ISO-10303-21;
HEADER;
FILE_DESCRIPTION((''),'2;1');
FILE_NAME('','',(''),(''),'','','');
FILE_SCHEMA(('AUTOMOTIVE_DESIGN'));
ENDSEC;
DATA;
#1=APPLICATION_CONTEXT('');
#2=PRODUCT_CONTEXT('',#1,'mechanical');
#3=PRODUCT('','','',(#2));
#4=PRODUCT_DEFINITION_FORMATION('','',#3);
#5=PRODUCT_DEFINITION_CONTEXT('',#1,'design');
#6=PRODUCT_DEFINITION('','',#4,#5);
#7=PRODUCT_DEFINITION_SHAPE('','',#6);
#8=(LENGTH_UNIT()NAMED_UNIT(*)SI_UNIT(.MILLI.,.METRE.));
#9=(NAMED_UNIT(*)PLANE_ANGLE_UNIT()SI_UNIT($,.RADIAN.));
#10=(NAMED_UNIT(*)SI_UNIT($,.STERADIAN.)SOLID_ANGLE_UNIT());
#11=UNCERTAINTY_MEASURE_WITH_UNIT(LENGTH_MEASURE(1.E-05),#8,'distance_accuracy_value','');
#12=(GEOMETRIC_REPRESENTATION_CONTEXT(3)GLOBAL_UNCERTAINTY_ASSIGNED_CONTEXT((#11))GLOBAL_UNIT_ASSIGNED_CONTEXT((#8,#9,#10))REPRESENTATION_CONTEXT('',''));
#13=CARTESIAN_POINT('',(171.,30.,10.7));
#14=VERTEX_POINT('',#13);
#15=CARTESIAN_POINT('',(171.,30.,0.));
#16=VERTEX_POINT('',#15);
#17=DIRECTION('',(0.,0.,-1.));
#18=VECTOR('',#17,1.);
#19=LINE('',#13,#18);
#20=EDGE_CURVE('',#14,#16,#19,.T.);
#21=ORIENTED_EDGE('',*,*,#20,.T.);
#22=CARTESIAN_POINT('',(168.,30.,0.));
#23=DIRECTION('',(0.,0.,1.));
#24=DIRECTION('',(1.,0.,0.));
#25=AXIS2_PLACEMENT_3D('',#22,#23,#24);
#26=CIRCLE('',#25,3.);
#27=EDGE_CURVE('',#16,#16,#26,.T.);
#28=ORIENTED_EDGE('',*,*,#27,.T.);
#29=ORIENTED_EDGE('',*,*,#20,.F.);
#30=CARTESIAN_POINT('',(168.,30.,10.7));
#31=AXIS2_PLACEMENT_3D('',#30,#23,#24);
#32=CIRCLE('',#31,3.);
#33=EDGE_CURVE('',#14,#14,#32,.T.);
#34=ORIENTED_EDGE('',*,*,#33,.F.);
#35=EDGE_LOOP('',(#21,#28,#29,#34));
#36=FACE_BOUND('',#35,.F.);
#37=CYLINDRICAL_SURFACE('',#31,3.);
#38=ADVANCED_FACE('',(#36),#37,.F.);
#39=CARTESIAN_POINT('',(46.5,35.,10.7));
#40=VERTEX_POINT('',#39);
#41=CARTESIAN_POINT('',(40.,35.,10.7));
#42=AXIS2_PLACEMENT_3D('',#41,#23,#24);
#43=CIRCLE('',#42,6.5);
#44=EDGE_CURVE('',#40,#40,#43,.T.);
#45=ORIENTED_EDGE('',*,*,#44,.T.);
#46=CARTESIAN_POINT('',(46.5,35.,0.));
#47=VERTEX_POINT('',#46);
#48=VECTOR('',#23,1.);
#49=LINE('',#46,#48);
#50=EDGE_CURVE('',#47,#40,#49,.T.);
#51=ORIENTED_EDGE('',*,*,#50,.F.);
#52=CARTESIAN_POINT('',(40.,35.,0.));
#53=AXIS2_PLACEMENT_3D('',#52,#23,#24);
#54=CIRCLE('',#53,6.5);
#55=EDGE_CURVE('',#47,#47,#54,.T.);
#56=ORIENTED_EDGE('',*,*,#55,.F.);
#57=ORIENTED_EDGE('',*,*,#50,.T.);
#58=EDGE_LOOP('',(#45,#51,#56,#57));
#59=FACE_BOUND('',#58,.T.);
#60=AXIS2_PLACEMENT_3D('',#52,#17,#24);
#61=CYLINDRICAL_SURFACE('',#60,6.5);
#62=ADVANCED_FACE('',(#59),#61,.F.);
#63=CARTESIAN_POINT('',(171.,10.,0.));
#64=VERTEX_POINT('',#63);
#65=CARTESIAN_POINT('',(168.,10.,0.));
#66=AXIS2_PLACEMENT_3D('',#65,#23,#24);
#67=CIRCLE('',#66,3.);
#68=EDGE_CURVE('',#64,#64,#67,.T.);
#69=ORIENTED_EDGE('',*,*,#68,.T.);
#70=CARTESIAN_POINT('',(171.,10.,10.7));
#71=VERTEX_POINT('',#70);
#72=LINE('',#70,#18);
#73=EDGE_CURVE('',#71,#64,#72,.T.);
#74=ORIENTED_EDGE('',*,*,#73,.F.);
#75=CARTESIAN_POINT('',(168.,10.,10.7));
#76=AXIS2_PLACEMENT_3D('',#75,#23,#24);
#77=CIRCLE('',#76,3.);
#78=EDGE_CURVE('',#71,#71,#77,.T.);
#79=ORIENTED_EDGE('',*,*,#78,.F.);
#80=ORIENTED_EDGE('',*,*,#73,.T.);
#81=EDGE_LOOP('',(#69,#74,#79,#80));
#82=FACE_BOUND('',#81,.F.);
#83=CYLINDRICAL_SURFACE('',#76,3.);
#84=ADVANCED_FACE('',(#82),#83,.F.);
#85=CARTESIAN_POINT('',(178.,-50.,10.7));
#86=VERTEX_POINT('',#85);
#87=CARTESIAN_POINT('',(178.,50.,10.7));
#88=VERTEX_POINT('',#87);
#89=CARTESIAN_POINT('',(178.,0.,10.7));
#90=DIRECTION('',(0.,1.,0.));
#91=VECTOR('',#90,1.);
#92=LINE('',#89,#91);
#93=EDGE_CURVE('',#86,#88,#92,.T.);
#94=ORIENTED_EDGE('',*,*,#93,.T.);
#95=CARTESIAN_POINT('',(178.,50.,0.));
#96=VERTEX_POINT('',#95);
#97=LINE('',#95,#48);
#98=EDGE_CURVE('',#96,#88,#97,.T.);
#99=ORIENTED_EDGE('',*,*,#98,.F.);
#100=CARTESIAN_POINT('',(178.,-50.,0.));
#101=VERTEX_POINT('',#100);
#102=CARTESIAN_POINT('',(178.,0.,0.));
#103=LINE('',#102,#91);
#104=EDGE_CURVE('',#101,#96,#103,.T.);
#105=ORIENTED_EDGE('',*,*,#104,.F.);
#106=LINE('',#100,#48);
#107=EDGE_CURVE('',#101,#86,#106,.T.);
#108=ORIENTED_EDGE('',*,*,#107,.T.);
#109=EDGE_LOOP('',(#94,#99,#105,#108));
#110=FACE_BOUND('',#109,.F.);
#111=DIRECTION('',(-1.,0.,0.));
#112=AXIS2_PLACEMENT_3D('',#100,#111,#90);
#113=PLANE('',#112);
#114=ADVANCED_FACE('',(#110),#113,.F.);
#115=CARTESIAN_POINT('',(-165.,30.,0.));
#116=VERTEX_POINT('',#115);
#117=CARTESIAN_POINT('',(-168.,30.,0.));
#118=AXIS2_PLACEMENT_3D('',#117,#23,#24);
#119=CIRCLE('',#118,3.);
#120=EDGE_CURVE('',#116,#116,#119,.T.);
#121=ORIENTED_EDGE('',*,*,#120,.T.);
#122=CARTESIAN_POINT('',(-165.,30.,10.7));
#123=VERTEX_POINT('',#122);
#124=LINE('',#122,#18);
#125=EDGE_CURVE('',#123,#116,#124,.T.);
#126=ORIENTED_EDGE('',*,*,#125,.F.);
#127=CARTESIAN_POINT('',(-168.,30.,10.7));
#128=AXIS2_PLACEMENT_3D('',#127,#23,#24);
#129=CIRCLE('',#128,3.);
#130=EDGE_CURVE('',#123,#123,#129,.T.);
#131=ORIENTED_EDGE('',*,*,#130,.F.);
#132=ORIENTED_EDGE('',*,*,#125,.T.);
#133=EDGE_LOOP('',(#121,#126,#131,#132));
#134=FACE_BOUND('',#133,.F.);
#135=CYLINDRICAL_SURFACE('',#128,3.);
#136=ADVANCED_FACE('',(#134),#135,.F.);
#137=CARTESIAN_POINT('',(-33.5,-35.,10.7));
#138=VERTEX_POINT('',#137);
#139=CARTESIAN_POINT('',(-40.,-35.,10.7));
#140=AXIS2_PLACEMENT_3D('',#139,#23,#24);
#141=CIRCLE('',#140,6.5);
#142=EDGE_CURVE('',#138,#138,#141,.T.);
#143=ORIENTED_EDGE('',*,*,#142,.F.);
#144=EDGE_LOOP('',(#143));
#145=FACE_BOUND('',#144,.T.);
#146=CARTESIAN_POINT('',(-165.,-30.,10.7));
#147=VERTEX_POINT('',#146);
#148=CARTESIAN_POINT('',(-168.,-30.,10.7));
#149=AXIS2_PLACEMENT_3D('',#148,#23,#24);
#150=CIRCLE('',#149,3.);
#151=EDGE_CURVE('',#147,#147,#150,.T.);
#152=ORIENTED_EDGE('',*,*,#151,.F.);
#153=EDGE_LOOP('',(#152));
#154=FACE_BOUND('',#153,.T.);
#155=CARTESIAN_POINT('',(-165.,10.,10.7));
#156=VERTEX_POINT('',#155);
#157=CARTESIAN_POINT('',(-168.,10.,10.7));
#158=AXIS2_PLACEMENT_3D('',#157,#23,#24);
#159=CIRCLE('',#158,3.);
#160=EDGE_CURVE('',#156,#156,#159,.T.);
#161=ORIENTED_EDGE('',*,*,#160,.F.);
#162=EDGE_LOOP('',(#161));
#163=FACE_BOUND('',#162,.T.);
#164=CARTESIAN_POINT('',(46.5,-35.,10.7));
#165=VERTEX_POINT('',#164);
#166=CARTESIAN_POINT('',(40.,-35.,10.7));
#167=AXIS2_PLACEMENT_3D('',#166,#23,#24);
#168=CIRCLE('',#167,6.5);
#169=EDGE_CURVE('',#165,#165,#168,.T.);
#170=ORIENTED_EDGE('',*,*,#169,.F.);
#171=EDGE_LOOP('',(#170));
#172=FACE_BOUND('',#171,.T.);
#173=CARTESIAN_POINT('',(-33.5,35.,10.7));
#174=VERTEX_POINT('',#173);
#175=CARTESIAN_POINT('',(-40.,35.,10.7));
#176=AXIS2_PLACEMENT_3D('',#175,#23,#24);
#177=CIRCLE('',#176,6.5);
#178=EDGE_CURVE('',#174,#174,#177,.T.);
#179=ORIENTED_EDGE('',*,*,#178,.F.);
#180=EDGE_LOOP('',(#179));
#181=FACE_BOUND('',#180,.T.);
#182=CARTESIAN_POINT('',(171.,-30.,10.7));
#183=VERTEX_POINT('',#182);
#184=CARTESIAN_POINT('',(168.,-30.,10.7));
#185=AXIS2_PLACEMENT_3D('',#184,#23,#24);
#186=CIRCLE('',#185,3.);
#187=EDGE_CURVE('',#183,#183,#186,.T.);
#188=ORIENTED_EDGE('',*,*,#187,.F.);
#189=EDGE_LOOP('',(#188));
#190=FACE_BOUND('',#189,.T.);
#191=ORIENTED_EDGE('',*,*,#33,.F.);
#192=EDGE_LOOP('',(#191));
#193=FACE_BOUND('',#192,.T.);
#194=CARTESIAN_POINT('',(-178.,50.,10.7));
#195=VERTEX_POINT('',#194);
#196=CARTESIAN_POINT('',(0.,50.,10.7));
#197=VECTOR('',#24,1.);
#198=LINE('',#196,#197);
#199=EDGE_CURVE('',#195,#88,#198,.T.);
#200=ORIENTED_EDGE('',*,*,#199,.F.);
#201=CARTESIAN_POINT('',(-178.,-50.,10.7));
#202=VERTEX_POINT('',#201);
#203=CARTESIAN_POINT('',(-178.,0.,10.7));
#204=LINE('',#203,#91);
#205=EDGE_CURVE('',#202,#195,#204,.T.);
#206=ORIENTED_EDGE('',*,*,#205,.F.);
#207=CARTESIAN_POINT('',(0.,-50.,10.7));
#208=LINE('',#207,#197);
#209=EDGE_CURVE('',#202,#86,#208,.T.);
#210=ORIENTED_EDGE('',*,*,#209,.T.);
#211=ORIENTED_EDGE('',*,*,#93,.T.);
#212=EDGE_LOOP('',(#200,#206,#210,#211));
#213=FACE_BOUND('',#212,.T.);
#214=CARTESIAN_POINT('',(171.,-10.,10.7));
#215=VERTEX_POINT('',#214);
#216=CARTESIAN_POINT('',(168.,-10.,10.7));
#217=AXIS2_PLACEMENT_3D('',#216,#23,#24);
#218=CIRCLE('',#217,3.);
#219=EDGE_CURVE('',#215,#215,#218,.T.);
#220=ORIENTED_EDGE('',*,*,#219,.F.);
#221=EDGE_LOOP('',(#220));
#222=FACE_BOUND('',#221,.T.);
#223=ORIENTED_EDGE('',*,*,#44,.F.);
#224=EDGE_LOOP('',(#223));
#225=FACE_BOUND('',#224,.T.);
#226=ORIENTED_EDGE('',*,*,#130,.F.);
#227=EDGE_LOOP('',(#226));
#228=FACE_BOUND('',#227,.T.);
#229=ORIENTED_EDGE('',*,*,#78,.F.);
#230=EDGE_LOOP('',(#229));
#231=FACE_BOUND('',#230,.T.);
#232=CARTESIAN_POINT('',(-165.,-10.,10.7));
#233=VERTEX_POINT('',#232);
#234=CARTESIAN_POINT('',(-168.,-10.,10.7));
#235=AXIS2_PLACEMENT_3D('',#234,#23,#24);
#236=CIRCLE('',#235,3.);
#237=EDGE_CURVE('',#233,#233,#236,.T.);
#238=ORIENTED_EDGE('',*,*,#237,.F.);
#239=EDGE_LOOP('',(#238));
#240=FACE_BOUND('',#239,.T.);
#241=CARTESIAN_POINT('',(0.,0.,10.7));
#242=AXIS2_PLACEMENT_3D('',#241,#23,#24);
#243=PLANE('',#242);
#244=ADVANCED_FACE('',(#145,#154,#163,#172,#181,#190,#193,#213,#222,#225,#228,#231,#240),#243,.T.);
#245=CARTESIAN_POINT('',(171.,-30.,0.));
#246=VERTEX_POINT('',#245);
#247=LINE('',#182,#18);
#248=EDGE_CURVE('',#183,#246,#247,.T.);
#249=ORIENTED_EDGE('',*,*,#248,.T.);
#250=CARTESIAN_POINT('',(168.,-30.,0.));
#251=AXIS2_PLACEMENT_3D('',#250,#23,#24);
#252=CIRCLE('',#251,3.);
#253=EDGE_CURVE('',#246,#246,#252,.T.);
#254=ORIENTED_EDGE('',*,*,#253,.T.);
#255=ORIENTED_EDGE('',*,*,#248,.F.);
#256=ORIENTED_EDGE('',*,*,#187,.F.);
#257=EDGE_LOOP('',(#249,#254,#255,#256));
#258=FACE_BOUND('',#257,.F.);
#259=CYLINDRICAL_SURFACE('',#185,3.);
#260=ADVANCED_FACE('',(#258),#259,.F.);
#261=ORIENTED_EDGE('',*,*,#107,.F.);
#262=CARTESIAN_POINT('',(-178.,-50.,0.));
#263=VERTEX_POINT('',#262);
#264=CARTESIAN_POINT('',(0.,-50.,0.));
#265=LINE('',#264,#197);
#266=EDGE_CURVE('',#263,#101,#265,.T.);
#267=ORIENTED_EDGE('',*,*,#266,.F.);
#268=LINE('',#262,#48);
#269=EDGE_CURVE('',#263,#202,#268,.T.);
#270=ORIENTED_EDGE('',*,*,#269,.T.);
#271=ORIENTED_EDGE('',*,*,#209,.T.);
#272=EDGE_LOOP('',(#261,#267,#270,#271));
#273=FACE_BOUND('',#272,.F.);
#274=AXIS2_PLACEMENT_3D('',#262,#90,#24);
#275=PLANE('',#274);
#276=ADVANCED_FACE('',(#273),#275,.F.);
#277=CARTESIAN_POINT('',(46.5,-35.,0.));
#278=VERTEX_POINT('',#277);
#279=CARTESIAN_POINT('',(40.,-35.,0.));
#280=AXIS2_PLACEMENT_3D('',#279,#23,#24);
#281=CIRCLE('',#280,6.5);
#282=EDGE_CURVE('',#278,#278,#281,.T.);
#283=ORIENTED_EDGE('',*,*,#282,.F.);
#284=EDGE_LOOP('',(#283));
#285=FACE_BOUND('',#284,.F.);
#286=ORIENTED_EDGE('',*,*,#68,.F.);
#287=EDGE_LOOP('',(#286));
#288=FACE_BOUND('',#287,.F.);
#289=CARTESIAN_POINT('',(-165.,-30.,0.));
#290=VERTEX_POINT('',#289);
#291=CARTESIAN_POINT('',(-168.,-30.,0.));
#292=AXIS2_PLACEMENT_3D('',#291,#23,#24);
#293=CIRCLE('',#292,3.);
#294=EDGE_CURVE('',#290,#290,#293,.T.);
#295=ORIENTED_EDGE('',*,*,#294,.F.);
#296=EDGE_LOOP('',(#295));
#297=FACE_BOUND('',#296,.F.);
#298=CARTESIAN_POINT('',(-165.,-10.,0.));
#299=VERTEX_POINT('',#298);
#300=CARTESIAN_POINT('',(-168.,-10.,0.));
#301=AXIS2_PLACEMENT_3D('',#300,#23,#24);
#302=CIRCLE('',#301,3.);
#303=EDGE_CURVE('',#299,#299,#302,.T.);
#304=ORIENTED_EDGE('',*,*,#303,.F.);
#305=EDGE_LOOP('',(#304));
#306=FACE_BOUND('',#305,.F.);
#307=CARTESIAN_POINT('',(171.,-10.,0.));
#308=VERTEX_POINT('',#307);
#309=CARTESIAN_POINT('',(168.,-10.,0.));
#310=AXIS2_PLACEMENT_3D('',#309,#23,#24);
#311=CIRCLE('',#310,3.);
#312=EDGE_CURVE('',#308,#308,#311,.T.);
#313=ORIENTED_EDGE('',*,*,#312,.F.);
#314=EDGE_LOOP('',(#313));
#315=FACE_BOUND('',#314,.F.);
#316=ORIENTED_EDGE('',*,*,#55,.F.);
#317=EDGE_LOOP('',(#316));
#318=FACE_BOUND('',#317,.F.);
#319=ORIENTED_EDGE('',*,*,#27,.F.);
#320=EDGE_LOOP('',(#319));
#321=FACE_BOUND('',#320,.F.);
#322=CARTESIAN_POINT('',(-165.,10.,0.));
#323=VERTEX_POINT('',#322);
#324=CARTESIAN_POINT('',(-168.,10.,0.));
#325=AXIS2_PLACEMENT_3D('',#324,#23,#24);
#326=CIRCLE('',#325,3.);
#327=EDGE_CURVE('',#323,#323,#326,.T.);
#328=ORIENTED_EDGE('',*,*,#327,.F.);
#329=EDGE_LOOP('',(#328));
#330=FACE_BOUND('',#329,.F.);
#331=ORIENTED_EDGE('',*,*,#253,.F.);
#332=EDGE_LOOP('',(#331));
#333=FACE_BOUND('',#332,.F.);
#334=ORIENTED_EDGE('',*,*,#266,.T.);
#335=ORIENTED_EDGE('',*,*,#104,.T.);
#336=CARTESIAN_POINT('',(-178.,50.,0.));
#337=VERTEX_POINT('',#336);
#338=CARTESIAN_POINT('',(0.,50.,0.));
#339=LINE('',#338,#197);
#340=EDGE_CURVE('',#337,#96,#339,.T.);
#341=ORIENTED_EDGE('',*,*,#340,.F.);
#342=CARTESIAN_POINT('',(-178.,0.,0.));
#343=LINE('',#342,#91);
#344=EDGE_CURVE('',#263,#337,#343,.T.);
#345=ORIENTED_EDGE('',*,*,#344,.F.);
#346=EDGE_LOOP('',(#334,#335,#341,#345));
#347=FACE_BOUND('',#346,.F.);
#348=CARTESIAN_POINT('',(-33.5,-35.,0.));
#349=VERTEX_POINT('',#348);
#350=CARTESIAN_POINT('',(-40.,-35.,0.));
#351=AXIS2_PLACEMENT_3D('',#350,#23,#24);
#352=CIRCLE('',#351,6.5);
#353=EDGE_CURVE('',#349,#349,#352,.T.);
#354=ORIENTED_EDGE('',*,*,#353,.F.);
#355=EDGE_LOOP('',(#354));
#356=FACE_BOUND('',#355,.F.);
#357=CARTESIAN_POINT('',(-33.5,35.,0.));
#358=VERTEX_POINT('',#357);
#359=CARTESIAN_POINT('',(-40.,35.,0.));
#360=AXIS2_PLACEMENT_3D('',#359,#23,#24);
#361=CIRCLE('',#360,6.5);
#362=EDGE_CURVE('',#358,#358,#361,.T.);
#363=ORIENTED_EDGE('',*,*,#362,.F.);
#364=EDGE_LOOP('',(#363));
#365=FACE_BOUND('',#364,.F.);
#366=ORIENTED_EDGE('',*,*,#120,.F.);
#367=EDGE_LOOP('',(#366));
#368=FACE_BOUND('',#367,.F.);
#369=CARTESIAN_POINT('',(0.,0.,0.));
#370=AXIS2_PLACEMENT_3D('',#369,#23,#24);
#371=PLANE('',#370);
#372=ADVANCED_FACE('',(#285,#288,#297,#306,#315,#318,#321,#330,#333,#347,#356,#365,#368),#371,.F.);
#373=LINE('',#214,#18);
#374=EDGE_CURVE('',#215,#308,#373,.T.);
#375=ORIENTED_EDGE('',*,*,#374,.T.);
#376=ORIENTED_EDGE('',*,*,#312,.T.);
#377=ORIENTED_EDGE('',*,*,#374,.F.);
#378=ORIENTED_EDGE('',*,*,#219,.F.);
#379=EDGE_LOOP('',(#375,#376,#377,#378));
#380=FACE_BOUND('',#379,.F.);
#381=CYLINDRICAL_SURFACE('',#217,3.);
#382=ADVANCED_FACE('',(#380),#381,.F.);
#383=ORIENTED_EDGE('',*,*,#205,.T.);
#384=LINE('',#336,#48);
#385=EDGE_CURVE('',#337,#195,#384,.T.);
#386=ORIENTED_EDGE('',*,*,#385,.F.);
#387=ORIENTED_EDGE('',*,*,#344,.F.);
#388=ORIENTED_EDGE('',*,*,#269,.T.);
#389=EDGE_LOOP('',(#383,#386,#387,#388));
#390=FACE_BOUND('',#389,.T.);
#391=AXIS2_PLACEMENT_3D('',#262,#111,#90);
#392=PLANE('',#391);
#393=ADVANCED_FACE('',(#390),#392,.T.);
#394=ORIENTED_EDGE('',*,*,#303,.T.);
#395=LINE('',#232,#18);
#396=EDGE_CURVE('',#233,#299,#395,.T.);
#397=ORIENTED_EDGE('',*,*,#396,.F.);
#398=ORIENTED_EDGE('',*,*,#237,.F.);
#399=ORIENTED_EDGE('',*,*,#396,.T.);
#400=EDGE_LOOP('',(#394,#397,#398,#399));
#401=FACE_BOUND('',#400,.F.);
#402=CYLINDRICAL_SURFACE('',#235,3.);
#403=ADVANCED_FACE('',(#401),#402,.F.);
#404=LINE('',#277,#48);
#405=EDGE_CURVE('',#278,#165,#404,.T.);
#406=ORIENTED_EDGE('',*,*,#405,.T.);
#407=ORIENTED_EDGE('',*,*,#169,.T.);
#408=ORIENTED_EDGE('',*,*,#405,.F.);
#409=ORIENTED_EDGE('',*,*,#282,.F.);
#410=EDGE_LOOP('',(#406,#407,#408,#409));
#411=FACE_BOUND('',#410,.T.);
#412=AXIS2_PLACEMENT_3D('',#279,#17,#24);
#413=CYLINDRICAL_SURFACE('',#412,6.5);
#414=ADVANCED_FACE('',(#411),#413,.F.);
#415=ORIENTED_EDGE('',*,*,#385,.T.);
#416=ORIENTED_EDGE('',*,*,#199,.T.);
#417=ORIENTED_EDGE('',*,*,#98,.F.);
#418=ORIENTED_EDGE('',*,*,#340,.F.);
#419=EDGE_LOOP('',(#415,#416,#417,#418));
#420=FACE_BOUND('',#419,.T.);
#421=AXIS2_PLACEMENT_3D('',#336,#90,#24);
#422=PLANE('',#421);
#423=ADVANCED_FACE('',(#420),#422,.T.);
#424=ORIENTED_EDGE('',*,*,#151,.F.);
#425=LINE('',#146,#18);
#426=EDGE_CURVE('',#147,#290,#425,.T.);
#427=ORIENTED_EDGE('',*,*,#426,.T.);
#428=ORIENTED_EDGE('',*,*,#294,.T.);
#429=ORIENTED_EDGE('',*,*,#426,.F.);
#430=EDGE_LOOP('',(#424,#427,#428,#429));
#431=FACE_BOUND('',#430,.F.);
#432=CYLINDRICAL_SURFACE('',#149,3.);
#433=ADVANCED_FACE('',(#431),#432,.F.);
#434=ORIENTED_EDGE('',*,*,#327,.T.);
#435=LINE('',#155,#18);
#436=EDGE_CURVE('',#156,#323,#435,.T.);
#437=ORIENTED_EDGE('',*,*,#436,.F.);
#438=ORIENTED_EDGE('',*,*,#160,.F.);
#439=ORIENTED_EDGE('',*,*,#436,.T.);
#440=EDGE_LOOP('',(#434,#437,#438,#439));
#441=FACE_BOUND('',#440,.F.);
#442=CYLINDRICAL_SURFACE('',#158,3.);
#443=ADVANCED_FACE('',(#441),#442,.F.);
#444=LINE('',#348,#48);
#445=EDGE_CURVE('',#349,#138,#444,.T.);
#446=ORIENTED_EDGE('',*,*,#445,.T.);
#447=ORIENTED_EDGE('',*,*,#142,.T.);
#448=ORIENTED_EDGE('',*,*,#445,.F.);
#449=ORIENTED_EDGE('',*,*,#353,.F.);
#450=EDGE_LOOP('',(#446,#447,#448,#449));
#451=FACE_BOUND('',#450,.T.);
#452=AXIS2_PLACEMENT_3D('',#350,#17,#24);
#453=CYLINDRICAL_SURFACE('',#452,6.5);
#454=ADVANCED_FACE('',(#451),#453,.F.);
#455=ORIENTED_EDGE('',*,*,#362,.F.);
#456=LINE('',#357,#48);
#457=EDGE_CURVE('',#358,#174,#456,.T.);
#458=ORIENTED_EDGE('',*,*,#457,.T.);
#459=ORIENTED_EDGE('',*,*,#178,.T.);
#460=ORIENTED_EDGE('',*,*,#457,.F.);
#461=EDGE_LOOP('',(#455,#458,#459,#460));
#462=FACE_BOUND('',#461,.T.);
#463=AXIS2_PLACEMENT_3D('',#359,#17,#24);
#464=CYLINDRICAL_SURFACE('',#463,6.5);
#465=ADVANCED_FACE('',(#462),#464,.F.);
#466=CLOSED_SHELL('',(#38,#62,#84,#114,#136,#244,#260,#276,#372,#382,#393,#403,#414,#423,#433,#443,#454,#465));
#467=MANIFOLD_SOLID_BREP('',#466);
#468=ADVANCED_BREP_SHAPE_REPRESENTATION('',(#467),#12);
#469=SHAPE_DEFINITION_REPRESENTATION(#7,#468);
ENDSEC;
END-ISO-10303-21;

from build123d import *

# Parameters (mm, degrees)
F0_W     = 356
F0_H     = 100
F0_R     = 6.5
F1_DEPTH = 10.7
F2_R     = 3
F3_DEPTH = 25


with BuildPart() as f1:
    # F0 (on Top) → F1 (new body)
    with BuildSketch(Plane.XY):
        Rectangle(F0_W, F0_H)
        with Locations((-40, -35)):
            Circle(F0_R, mode=Mode.SUBTRACT)
        with Locations((40, -35)):
            Circle(F0_R, mode=Mode.SUBTRACT)
        with Locations((-40, 35)):
            Circle(F0_R, mode=Mode.SUBTRACT)
        with Locations((40, 35)):
            Circle(F0_R, mode=Mode.SUBTRACT)
    extrude(amount=F1_DEPTH)

    # F2 (on face) → F3 (cut)
    with BuildSketch(Plane.XY.offset(10.7)):
        with Locations((168, -30)):
            Circle(F2_R)
        with Locations((168, -10)):
            Circle(F2_R)
        with Locations((168, 10)):
            Circle(F2_R)
        with Locations((168, 30)):
            Circle(F2_R)
        with Locations((-168, -30)):
            Circle(F2_R)
        with Locations((-168, 10)):
            Circle(F2_R)
        with Locations((-168, 30)):
            Circle(F2_R)
        with Locations((-168, -10)):
            Circle(F2_R)
    extrude(amount=-F3_DEPTH, mode=Mode.SUBTRACT)


solid = f1.part
